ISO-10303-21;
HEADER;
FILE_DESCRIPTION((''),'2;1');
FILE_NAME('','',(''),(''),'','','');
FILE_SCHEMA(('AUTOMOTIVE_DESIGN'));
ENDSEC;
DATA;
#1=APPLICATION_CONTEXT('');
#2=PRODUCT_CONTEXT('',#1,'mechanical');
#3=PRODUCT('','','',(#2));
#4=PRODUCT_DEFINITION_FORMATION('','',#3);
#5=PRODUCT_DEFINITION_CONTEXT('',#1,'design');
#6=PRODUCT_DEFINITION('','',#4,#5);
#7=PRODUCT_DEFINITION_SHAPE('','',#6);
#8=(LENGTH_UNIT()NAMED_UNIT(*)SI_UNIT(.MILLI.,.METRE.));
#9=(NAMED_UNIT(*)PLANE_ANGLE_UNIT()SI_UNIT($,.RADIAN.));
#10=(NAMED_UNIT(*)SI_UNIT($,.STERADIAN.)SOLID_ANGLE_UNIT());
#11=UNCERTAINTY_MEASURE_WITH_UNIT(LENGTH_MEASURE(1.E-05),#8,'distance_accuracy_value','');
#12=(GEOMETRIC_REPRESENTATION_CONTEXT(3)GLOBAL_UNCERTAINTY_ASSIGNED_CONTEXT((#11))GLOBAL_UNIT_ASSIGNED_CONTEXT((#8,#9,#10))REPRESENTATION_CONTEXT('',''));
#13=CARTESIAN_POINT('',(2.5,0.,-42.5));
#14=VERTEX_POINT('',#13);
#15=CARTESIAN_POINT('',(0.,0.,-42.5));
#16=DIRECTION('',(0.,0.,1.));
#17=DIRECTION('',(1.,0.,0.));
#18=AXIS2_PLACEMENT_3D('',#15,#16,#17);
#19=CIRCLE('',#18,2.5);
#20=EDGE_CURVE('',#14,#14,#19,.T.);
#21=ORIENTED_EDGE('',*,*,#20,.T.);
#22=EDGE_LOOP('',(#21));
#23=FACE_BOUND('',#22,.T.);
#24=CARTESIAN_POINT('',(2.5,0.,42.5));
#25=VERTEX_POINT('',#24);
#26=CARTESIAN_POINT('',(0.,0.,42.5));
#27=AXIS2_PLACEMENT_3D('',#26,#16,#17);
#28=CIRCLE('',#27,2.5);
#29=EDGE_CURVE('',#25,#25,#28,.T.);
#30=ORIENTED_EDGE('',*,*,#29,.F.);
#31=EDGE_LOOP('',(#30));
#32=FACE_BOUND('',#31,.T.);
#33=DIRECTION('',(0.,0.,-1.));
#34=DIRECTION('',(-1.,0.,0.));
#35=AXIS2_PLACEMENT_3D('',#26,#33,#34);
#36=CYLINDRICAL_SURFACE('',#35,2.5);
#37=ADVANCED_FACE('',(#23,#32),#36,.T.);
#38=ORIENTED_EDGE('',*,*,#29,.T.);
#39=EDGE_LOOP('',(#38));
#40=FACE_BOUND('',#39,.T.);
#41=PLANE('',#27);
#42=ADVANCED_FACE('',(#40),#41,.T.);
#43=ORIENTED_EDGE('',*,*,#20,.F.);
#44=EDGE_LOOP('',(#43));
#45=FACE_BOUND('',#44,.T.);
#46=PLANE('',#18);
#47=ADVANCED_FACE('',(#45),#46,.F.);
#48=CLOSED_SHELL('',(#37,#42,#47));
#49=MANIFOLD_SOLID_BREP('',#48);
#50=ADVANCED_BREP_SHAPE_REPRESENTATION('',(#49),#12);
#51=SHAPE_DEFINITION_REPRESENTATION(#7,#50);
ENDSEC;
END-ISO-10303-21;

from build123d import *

# Parameters (mm, degrees)
SKETCH1_R           = 2.5
BOSS_EXTRUDE1_DEPTH = 42.5


with BuildPart() as part:
    # Sketch1 → Boss-Extrude1 (new, symmetric)
    with BuildSketch(Plane.XY):
        Circle(SKETCH1_R)
    extrude(amount=BOSS_EXTRUDE1_DEPTH, both=True)


solid = part.part
